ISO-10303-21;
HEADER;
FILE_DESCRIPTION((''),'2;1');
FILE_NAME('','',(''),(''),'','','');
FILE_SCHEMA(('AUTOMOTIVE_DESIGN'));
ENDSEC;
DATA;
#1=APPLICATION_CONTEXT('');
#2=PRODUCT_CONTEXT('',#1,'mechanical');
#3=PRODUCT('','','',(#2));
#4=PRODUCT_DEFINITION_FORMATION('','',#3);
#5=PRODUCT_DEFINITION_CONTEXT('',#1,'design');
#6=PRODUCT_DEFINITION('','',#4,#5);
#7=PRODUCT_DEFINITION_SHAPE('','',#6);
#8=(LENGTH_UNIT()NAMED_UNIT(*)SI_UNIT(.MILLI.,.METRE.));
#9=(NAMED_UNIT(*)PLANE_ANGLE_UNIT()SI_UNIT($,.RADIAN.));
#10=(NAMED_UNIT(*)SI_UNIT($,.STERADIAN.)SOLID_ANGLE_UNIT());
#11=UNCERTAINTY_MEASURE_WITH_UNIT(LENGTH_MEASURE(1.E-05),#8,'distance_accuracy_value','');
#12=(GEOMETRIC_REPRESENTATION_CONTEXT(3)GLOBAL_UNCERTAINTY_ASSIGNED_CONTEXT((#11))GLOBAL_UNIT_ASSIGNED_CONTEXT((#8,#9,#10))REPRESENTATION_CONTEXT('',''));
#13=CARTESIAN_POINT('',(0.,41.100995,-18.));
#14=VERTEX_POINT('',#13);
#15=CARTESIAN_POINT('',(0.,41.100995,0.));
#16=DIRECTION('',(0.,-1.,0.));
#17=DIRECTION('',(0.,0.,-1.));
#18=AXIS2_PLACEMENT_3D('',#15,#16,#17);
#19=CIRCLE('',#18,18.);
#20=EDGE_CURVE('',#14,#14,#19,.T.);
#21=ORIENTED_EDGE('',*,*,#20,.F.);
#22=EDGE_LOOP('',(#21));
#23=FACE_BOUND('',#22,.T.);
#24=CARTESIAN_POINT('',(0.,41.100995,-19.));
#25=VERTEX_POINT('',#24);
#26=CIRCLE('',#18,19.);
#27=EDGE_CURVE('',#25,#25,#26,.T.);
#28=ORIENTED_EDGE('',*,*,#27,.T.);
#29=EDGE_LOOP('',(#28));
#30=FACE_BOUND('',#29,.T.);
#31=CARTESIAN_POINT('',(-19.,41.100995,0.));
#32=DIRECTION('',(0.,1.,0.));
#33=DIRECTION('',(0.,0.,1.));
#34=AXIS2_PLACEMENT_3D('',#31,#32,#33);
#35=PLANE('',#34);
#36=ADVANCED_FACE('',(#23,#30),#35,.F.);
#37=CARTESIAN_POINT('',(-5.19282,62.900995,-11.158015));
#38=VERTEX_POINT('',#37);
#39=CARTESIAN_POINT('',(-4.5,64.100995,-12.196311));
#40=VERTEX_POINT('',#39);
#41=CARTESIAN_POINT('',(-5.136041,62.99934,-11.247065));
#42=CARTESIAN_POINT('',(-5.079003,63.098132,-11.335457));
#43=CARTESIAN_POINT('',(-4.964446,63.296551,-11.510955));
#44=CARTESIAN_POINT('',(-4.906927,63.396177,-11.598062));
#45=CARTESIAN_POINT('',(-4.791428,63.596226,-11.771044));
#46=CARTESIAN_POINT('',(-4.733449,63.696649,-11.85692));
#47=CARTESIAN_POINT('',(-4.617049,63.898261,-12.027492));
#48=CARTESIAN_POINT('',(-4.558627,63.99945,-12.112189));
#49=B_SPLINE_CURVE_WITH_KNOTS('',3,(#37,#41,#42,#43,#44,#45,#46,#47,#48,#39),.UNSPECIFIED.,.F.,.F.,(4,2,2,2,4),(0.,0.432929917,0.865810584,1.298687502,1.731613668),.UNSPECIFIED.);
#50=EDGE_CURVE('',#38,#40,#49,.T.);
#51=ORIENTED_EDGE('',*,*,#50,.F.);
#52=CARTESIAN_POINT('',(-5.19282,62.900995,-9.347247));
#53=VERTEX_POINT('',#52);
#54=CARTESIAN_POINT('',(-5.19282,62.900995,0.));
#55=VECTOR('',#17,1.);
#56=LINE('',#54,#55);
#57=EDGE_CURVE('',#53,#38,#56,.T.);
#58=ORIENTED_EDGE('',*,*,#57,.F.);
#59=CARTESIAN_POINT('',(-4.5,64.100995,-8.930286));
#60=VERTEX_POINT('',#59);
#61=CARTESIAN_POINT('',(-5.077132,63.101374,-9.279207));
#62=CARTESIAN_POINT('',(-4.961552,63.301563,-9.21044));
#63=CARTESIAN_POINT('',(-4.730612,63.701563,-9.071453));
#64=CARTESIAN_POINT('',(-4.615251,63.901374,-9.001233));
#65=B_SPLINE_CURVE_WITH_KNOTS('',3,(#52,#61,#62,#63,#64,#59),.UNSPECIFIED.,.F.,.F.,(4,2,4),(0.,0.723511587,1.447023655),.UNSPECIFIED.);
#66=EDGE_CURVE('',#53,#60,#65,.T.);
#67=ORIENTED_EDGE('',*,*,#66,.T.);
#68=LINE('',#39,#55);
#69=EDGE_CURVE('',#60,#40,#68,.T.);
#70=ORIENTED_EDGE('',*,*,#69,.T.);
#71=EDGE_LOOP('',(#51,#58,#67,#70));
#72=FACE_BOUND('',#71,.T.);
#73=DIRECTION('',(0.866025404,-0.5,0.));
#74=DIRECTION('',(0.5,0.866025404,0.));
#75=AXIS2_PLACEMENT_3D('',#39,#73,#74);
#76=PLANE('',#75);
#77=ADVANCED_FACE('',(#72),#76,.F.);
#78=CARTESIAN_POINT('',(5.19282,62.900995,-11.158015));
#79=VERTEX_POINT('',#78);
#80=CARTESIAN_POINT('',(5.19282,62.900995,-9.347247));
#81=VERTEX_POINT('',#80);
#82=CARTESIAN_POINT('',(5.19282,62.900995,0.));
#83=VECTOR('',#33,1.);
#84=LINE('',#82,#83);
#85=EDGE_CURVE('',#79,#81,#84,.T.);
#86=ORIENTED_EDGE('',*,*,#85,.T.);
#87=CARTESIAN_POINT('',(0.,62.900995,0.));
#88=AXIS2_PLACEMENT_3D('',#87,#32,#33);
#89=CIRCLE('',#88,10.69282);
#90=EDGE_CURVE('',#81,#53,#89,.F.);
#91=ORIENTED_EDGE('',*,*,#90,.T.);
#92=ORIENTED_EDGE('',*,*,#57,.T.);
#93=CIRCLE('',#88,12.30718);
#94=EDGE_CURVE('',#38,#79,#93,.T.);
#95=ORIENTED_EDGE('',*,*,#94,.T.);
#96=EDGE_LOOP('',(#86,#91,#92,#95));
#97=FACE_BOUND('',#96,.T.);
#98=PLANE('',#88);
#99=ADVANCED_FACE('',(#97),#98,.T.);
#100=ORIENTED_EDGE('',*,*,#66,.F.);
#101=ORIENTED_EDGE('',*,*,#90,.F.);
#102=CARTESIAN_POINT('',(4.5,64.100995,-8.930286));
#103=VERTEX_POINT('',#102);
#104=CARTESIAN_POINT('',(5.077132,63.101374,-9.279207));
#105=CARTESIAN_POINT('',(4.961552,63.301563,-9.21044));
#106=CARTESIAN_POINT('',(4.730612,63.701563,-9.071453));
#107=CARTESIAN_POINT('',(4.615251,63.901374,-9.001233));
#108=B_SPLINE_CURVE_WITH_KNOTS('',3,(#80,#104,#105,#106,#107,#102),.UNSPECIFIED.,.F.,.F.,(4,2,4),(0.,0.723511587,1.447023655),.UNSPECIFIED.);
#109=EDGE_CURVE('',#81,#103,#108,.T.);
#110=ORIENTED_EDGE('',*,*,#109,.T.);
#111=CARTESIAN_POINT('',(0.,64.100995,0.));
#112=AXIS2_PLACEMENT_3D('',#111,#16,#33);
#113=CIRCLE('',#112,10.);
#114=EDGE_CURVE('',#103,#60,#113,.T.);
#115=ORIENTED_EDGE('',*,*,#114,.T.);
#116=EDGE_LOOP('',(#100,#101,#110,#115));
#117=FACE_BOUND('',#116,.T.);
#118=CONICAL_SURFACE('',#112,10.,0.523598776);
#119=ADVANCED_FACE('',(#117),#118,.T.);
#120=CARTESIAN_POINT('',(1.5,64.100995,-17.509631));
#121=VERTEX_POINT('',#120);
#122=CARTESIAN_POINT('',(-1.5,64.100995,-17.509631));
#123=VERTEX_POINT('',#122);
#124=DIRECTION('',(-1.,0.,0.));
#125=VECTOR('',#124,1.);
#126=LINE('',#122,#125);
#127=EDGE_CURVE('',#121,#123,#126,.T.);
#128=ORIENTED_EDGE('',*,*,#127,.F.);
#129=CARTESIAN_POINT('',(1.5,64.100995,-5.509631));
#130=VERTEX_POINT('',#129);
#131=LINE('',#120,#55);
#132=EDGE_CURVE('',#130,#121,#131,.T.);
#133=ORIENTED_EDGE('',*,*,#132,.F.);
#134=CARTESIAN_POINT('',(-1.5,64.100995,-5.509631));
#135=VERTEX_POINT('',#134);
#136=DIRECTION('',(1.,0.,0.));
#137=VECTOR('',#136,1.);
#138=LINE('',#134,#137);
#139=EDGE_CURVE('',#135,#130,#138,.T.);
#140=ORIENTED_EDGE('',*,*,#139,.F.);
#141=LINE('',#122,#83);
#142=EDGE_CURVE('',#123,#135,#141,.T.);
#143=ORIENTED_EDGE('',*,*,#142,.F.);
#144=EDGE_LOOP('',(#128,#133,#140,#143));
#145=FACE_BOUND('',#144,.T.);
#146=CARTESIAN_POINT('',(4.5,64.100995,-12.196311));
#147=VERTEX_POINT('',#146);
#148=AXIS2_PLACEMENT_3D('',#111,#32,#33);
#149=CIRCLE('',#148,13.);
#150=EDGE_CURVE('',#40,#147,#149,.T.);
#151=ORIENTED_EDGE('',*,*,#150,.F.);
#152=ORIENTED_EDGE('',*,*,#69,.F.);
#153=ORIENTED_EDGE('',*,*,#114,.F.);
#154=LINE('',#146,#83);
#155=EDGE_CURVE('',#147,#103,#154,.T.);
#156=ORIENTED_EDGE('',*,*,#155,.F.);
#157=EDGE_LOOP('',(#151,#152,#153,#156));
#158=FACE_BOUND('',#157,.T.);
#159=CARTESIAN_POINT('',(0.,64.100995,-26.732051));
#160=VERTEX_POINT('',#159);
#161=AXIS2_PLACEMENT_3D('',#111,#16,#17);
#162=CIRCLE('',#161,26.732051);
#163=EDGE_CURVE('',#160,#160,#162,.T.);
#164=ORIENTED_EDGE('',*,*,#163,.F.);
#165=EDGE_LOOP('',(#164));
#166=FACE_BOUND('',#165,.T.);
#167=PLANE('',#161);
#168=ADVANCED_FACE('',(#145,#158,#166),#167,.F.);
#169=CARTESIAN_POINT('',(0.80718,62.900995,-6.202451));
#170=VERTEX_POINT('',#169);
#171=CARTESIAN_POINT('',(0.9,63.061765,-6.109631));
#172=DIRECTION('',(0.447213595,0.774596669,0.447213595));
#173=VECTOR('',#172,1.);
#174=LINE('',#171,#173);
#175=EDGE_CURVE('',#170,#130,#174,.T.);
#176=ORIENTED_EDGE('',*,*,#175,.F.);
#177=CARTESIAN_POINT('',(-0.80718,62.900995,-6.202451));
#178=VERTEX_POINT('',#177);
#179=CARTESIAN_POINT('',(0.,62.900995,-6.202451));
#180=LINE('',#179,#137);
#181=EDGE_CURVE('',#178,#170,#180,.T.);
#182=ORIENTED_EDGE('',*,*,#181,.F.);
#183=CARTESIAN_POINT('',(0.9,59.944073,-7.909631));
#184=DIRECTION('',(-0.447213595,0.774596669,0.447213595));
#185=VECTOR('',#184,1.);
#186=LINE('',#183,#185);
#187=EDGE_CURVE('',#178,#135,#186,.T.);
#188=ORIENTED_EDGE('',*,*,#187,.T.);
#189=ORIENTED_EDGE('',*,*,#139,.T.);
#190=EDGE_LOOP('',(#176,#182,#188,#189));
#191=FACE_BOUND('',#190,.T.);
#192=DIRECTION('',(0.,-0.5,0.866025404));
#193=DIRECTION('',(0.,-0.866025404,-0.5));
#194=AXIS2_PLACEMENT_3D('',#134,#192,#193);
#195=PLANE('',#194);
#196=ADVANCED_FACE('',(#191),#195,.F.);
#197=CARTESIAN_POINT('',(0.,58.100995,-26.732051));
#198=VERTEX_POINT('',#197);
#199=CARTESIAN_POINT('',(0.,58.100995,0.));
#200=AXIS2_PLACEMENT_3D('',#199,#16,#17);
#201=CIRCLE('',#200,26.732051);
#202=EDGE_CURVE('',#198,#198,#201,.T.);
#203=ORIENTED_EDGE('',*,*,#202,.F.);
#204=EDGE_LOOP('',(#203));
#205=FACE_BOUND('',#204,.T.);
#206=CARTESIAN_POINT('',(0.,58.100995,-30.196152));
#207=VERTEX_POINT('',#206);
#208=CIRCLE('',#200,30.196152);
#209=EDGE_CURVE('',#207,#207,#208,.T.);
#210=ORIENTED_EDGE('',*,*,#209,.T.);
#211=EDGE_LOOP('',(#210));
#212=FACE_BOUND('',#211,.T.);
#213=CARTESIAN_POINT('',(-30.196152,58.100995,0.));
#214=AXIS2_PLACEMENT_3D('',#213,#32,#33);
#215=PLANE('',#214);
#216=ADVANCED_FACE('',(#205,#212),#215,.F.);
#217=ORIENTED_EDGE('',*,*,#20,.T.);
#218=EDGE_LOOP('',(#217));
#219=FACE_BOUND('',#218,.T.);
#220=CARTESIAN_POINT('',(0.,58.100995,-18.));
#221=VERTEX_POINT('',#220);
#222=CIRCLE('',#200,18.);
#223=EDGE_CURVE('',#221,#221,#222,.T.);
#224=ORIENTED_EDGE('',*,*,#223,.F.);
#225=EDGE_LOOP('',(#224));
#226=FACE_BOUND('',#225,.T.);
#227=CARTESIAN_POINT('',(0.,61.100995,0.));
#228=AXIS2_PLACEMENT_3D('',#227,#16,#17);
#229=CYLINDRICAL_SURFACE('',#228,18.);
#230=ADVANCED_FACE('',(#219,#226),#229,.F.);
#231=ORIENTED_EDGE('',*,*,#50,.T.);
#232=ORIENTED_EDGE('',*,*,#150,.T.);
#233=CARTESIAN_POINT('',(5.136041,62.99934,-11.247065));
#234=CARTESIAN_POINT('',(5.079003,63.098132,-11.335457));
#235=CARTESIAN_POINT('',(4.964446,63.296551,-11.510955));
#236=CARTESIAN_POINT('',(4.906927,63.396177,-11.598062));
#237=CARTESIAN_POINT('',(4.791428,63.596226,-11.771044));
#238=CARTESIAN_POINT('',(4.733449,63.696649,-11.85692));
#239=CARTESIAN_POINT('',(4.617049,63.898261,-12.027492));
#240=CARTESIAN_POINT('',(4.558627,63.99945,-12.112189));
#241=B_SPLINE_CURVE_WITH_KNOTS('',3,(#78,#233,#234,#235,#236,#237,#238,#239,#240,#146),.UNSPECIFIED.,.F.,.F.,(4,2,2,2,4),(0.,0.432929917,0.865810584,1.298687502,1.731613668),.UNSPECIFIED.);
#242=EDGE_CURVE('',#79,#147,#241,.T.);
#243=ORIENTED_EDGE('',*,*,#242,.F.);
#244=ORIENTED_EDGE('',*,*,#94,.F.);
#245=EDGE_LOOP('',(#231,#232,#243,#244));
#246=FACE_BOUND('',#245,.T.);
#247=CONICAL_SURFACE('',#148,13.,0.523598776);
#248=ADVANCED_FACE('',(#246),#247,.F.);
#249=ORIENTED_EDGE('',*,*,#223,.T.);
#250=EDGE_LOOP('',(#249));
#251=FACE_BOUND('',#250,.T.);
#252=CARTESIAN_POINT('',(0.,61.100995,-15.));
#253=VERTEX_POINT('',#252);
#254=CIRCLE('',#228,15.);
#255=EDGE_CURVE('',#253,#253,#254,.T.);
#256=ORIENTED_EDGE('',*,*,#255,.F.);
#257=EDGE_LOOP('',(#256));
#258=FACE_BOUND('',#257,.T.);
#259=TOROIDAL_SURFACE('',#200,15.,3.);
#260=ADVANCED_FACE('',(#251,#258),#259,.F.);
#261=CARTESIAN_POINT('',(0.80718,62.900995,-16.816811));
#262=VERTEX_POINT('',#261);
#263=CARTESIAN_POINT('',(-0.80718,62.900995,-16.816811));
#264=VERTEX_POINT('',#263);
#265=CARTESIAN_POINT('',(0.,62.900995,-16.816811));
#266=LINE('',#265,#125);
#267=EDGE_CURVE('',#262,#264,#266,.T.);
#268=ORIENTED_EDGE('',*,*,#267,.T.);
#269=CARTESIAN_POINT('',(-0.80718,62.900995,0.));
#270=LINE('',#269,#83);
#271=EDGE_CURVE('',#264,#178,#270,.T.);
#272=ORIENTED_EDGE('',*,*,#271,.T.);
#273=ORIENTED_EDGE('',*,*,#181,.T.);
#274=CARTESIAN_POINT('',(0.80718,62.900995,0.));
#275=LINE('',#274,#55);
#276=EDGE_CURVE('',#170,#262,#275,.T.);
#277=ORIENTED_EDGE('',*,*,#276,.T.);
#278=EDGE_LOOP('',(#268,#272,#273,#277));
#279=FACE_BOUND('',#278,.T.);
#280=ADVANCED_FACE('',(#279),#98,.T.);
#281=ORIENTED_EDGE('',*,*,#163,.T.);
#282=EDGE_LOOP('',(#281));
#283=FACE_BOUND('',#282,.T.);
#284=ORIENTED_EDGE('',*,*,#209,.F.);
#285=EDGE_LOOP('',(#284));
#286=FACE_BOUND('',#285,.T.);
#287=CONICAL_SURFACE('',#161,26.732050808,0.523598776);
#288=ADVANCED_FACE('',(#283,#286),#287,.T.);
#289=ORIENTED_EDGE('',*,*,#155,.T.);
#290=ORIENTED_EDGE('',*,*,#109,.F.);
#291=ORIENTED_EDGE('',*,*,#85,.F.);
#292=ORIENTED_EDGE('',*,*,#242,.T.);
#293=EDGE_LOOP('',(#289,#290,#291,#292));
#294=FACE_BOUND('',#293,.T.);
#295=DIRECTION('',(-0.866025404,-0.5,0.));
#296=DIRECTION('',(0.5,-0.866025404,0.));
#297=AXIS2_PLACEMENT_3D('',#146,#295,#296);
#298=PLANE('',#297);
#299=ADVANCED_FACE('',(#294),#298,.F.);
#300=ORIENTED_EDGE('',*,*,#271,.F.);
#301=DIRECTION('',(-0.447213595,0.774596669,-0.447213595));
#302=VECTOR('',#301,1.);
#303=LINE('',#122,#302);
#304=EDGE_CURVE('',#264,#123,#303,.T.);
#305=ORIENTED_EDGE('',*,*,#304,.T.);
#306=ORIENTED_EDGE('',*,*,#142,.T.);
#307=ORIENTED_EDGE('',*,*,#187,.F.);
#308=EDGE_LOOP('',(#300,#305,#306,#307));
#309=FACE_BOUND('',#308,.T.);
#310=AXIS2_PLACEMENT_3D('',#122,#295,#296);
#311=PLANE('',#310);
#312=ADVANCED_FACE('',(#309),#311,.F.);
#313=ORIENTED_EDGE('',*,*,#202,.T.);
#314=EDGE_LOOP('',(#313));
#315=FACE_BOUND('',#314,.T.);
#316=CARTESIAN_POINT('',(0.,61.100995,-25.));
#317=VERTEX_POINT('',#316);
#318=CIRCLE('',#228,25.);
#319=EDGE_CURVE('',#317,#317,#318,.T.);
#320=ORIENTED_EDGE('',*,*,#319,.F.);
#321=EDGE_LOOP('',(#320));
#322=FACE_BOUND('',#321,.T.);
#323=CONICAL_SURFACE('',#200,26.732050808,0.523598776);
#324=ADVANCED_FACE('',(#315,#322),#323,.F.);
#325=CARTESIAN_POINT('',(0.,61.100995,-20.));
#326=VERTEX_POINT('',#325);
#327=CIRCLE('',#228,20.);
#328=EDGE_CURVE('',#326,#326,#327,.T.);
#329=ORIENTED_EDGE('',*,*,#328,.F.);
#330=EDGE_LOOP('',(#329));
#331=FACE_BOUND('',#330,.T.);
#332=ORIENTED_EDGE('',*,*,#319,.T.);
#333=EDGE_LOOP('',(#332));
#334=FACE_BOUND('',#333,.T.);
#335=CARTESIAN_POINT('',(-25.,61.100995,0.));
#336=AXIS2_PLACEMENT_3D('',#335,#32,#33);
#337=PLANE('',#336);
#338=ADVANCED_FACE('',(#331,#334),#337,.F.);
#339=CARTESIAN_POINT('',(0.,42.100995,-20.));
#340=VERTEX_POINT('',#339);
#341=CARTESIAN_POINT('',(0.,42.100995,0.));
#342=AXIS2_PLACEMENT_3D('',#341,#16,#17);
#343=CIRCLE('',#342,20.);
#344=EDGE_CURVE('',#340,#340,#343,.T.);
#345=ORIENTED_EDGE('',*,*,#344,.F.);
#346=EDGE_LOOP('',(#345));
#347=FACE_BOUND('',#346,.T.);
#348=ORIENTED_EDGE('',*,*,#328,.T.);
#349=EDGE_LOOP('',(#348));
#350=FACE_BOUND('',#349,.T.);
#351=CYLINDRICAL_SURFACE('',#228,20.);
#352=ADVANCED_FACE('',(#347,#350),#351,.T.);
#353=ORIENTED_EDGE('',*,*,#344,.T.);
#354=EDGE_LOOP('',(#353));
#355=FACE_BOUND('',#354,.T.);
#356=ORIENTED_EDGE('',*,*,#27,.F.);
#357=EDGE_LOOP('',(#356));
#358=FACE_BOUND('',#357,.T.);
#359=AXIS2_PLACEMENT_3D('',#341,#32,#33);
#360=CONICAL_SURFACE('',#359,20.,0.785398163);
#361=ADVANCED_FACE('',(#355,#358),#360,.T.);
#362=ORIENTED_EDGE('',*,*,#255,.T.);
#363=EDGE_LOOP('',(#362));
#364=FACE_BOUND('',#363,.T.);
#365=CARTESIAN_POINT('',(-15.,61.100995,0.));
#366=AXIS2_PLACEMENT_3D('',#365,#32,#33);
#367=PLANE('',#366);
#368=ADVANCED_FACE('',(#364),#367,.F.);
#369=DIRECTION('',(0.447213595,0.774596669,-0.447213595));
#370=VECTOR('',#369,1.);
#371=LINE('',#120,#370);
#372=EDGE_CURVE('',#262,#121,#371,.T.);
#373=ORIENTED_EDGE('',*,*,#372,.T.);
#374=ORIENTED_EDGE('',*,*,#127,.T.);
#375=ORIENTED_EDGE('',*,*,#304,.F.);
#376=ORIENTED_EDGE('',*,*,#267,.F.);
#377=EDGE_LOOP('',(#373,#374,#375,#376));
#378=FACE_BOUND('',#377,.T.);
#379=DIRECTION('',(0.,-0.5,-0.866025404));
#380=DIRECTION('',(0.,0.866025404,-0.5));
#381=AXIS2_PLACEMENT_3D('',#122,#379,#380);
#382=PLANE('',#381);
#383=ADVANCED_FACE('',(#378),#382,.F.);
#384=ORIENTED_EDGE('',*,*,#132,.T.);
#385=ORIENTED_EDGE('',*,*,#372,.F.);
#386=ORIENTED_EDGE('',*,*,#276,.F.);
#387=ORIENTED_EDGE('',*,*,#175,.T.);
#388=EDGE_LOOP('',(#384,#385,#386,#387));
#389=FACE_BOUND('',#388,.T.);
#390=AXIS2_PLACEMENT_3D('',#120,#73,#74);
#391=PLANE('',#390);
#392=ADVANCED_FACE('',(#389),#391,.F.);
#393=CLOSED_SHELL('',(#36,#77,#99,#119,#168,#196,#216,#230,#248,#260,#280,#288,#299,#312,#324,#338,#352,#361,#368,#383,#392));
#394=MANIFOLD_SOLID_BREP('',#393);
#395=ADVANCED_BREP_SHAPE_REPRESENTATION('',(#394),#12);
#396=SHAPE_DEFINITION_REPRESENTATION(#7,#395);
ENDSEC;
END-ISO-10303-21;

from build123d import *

# Parameters (mm, degrees)
CUT_EXTRUDE_1_DEPTH           = 1.2
CUT_EXTRUDE_1_DRAFT           = -30
SKETCH_3_W                    = 3
SKETCH_3_H                    = 12
CUT_EXTRUDE_1_PROFILE_2_DEPTH = 1.2
CUT_EXTRUDE_1_PROFILE_2_DRAFT = -30


with BuildPart() as part:
    # Эскиз1 → Повернуть1 (revolve)
    with BuildSketch(Plane.XY, mode=Mode.PRIVATE) as revolve_1_sk:
        with BuildLine():
            Line((0, 64.100995099), (-26.732050808, 64.100995099))
            Line((-26.732050808, 64.100995099), (-30.196152423, 58.100995099))
            Line((-30.196152423, 58.100995099), (-26.732050808, 58.100995099))
            Line((-26.732050808, 58.100995099), (-25, 61.100995099))
            Line((-25, 61.100995099), (-20, 61.100995099))
            Line((-20, 61.100995099), (-20, 42.100995099))
            Line((-20, 42.100995099), (-19, 41.100995099))
            Line((-19, 41.100995099), (-18, 41.100995099))
            Line((-18, 41.100995099), (-18, 58.100995099))
            ThreePointArc((-18, 58.100995099), (-17.121320344, 60.222315442), (-15, 61.100995099))
            Line((-15, 61.100995099), (0, 61.100995099))
            Line((0, 61.100995099), (0, 64.100995099))
        make_face()
    revolve(revolve_1_sk.sketch.rotate(Axis((0, 61.100995099, 0), (0, 1, 0)), 270), axis=Axis((0, 61.100995099, 0), (0, 1, 0)))


with BuildPart() as cut_extrude_1_tool:
    # Эскиз3 → Вырез-Вытянуть1 (with draft: the straight prism first)
    with BuildSketch(Plane(origin=(0, 64.100995099, 0), x_dir=(1, 0, 0), z_dir=(0, 1, 0))):
        with BuildLine():
            Line((-4.5, 12.196310918), (-4.5, 8.93028555))
            ThreePointArc((-4.5, 8.93028555), (0, -10), (4.5, 8.93028555))
            Line((4.5, 8.93028555), (4.5, 12.196310918))
            ThreePointArc((4.5, 12.196310918), (0, -13), (-4.5, 12.196310918))
        make_face()
    extrude(amount=-CUT_EXTRUDE_1_DEPTH)
    # Вырез-Вытянуть1: the draft: its side faces are tilted about the plane it starts from
    cut_extrude_1_sides = [cut_extrude_1_tool.faces().sort_by_distance(p)[0] for p in [
        (-4.5, 63.500995099, -10.563298234),
        (0, 63.500995099, 10),
        (4.5, 63.500995099, -10.563298234),
        (0, 63.500995099, 13),
    ]]
    draft(cut_extrude_1_sides, Plane(origin=(0, 64.100995099, 0), x_dir=(1, 0, 0), z_dir=(0, 1, 0)), CUT_EXTRUDE_1_DRAFT)


with BuildPart() as part_1:
    add(part.part)

    # Вырез-Вытянуть1: cut by cut_extrude_1_tool
    add(cut_extrude_1_tool.part, mode=Mode.SUBTRACT)


with BuildPart() as cut_extrude_1_profile_2_tool:
    # Эскиз3 → Вырез-Вытянуть1 profile 2 (with draft: the straight prism first)
    with BuildSketch(Plane(origin=(0, 64.100995099, 0), x_dir=(1, 0, 0), z_dir=(0, 1, 0))):
        with Locations((0, 11.509630879)):
            Rectangle(SKETCH_3_W, SKETCH_3_H)
    extrude(amount=-CUT_EXTRUDE_1_PROFILE_2_DEPTH)
    # Вырез-Вытянуть1 profile 2: the draft: its side faces are tilted about the plane it starts from
    cut_extrude_1_profile_2_sides = [cut_extrude_1_profile_2_tool.faces().sort_by_distance(p)[0] for p in [
        (-1.5, 63.500995099, -11.509630879),
        (0, 63.500995099, -5.509630879),
        (1.5, 63.500995099, -11.509630879),
        (0, 63.500995099, -17.509630879),
    ]]
    draft(cut_extrude_1_profile_2_sides, Plane(origin=(0, 64.100995099, 0), x_dir=(1, 0, 0), z_dir=(0, 1, 0)), CUT_EXTRUDE_1_PROFILE_2_DRAFT)


with BuildPart() as part_2:
    add(part_1.part)

    # Вырез-Вытянуть1 profile 2: cut by cut_extrude_1_profile_2_tool
    add(cut_extrude_1_profile_2_tool.part, mode=Mode.SUBTRACT)


solid = part_2.part
